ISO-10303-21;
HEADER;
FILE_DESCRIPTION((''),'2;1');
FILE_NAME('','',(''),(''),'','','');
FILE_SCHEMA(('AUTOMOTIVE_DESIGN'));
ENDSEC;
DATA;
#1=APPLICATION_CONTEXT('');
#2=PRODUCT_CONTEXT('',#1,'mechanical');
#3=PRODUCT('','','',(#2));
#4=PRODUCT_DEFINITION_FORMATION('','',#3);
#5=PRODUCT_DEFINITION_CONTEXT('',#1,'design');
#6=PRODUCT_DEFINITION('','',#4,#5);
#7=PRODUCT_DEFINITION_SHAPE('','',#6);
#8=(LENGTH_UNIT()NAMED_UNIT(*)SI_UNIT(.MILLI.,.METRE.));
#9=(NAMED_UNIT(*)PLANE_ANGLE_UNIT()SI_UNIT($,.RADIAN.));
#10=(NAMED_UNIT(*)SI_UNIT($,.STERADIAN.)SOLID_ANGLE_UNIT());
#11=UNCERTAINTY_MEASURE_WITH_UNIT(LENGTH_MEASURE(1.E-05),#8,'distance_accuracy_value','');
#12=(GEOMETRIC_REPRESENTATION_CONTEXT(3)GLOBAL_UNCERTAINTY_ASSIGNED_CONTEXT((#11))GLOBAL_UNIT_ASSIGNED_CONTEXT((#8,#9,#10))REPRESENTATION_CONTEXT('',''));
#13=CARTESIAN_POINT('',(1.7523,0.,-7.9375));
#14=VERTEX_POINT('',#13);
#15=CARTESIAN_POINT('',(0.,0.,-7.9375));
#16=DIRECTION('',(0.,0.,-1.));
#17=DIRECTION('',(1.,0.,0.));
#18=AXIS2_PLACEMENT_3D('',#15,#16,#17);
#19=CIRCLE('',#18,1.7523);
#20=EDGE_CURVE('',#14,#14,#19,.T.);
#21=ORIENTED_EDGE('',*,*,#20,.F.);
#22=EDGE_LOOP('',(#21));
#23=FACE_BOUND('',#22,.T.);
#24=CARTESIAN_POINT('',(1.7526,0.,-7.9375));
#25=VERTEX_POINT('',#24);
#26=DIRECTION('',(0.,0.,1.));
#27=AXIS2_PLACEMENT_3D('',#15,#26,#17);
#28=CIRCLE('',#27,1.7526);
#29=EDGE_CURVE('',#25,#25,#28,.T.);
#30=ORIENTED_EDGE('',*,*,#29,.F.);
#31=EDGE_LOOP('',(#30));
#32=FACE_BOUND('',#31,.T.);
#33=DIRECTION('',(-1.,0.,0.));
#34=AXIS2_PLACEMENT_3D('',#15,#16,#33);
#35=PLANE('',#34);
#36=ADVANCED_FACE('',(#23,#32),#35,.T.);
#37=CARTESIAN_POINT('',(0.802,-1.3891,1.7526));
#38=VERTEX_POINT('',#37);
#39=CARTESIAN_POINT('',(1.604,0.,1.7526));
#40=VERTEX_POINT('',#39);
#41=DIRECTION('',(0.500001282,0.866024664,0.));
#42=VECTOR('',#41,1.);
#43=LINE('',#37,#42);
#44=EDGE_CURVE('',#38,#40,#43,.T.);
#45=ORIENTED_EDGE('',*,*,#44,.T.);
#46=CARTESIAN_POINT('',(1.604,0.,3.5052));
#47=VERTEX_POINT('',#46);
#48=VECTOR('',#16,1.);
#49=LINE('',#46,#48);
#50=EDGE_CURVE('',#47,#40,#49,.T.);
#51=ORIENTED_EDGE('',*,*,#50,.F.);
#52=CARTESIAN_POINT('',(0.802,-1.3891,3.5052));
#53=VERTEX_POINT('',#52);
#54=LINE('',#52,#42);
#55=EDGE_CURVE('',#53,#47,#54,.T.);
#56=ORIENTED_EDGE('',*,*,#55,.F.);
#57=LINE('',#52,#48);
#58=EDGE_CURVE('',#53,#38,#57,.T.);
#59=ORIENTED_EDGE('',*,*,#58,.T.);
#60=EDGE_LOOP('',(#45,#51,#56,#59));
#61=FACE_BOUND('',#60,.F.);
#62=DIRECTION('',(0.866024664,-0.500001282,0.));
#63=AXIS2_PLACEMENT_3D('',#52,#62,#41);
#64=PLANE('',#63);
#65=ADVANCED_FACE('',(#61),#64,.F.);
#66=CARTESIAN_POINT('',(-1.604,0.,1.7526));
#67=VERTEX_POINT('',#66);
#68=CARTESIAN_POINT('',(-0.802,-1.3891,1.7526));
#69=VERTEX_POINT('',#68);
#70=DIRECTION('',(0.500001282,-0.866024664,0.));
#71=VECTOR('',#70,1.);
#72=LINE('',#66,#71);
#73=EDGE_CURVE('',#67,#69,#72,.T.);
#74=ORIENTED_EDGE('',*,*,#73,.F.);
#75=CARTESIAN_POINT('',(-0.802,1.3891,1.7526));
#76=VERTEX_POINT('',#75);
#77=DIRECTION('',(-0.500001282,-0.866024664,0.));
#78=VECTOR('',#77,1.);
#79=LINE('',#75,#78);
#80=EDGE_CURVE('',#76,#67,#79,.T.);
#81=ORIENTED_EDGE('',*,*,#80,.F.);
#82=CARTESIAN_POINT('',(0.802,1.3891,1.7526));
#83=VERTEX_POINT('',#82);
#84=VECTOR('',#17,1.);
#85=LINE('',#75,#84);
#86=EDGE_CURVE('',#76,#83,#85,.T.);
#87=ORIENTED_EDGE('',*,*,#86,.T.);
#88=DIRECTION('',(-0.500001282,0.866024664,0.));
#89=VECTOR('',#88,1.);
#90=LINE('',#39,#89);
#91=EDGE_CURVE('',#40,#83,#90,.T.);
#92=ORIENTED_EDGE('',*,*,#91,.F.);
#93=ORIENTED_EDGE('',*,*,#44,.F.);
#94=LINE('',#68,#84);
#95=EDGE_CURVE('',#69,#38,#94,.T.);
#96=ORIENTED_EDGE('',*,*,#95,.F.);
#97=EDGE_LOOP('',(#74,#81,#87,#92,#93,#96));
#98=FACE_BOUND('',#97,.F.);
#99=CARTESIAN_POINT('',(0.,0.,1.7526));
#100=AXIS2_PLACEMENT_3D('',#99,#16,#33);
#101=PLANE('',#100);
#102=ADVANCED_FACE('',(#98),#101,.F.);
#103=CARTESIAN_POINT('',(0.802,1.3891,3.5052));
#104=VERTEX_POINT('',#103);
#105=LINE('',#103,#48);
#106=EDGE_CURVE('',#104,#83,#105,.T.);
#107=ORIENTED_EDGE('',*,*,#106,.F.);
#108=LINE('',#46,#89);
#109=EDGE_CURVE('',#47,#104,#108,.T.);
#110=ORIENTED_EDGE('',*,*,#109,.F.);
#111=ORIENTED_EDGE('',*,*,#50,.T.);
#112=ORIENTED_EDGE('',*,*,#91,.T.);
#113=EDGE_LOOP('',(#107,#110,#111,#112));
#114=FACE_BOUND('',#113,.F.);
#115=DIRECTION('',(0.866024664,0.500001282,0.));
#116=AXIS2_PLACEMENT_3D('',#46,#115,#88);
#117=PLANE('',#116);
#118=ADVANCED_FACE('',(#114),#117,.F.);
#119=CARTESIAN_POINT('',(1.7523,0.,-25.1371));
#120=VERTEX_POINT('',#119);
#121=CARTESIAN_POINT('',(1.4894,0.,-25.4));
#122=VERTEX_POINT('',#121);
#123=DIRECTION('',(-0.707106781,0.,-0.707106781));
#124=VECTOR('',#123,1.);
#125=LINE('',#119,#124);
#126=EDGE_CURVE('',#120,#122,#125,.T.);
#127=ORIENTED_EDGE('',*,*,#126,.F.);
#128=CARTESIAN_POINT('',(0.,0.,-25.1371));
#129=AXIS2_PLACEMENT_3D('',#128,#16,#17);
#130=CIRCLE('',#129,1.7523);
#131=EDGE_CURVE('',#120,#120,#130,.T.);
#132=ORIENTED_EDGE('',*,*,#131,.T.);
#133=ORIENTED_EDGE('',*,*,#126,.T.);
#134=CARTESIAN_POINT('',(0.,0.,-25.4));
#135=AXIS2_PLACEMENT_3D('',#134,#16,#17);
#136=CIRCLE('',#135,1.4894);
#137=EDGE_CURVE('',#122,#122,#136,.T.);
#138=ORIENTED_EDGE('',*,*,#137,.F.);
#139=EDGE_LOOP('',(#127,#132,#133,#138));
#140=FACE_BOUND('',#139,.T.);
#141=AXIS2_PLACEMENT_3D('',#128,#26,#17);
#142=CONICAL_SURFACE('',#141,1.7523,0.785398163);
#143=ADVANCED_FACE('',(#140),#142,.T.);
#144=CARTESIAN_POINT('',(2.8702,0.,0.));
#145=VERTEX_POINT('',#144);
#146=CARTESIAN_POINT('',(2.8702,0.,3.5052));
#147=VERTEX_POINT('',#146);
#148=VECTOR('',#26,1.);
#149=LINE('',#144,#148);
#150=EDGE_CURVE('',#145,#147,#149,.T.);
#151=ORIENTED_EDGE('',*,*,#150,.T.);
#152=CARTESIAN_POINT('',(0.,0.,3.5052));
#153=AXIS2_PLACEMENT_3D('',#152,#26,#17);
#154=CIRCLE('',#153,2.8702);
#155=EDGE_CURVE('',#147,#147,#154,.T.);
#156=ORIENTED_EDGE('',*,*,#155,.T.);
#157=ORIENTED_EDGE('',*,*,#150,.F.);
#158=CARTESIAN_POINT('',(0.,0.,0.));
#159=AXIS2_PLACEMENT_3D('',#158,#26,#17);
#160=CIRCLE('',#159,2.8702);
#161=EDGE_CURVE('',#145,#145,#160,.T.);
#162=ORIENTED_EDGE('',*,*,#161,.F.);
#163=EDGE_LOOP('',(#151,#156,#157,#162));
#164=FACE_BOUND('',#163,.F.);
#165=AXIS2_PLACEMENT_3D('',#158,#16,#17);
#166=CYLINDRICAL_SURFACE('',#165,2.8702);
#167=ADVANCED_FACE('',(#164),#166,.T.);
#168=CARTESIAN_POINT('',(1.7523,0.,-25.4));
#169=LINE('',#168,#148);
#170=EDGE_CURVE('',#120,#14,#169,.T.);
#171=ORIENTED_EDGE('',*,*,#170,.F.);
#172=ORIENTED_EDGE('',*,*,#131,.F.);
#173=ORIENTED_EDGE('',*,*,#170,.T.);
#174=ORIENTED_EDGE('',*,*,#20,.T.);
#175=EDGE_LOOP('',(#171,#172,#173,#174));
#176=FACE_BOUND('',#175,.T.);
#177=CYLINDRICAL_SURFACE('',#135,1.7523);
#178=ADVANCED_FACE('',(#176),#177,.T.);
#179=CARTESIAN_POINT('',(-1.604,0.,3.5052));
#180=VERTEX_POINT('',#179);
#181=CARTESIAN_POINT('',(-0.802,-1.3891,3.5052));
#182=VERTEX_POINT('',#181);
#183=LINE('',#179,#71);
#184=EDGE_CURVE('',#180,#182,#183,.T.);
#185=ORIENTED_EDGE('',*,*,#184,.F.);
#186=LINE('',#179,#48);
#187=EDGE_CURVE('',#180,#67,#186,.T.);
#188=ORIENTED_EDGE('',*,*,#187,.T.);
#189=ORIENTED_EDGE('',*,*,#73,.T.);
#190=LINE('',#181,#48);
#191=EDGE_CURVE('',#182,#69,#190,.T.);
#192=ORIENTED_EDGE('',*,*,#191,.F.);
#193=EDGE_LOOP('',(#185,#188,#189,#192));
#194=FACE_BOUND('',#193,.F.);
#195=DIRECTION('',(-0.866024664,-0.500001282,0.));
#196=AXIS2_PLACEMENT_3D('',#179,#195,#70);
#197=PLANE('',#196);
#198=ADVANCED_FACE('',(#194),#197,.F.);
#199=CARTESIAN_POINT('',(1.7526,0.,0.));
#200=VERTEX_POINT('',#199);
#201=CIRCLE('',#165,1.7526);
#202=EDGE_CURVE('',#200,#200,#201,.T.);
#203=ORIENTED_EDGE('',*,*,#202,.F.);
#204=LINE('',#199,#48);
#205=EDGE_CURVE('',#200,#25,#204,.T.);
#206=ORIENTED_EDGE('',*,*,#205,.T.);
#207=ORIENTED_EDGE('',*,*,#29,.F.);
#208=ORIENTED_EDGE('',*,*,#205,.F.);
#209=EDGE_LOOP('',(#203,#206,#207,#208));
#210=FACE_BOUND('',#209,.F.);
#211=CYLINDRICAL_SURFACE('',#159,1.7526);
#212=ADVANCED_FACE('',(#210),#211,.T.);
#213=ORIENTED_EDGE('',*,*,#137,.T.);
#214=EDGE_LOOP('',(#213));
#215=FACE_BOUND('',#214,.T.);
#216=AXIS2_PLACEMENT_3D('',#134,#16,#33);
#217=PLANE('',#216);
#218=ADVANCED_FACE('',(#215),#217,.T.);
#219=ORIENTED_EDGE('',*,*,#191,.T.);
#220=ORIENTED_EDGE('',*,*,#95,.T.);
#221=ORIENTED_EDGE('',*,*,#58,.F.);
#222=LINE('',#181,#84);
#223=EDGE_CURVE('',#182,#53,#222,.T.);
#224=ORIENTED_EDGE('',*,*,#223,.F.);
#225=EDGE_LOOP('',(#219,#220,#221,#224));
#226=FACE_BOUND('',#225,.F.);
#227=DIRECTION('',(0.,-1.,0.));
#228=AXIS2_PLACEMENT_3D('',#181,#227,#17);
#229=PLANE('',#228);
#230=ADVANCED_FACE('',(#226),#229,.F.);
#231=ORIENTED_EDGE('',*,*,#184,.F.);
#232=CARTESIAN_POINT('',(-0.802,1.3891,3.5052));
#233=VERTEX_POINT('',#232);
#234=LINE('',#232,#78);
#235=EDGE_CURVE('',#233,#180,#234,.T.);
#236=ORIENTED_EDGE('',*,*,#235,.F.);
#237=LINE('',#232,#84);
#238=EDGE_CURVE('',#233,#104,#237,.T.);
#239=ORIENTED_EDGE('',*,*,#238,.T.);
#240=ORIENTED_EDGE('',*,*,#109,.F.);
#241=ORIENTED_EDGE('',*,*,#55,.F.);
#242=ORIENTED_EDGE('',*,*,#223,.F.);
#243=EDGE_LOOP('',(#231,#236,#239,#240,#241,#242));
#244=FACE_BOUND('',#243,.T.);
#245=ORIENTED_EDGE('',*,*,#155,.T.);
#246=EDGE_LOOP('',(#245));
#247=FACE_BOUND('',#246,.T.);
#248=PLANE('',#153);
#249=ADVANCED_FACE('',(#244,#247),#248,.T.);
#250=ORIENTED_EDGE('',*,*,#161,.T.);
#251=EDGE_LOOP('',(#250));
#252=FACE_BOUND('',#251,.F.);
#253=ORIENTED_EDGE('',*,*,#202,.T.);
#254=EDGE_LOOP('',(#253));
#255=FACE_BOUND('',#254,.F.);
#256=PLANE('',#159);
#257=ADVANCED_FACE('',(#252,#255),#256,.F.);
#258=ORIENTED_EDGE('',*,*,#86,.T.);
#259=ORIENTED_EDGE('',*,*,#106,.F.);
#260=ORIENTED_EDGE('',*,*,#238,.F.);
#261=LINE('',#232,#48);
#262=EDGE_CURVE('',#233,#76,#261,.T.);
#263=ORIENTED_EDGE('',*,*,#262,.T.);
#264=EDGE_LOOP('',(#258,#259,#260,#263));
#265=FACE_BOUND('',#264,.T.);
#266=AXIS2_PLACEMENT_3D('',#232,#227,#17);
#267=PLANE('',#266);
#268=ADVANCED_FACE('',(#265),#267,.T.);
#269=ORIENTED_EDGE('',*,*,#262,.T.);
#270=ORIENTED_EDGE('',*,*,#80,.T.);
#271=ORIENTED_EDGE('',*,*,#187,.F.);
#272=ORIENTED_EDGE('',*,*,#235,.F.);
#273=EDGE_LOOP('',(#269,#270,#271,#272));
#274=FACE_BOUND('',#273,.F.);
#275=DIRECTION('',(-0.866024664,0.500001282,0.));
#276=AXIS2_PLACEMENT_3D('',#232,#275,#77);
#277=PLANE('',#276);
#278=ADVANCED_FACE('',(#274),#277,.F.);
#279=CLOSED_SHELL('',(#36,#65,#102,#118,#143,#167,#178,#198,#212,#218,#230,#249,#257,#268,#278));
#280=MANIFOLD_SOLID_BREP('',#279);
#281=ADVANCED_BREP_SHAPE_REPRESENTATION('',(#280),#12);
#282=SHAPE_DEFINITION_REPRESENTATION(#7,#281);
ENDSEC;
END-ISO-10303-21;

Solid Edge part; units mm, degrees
sketch "Sketch1" plane through (0, 0, 0) normal (0, 0, 1) x (1, 0, 0)
  circle A0 centre (0, 0) radius 2.8702
  dimension "D1" = 5.7404
extrude "Protrusion1" add sketch "Sketch1" along normal blind 3.5052
sketch "Sketch2" plane through (0, 0, 0) normal (0, 0, -1) x (1, 0, 0)
  circle A0 centre (0, 0) radius 1.7526
extrude "Protrusion2" add sketch "Sketch2" along normal blind 25.4
sketch "Sketch3" plane through (0, 0, -25.4) normal (0, 0, -1) x (1, 0, 0)
  circle A0 centre (0, 0) radius 1.7523
extrude "Cutout1" cut sketch "Sketch3" against normal blind 17.4625 flip side to cut
chamfer "Chamfer_1" distance 0.2629 angle 45 1 edges at (-1.7523, 0, -25.4)
sketch "Sketch4" plane through (0, 0, 3.5052) normal (0, 0, 1) x (1, 0, 0)
  line L0 (-0.802, 1.3891) -> (0.802, 1.3891)
  line L1 (1.604, 0) -> (0.802, 1.3891)
  line L2 (0.802, -1.3891) -> (1.604, 0)
  line L3 (-0.802, -1.3891) -> (0.802, -1.3891)
  line L4 (-1.604, 0) -> (-0.802, -1.3891)
  line L5 (-0.802, 1.3891) -> (-1.604, 0)
  dimension "D1" = 2.7781
extrude "Cutout2" cut sketch "Sketch4" against normal blind 1.7526
properties part number "24101587"
